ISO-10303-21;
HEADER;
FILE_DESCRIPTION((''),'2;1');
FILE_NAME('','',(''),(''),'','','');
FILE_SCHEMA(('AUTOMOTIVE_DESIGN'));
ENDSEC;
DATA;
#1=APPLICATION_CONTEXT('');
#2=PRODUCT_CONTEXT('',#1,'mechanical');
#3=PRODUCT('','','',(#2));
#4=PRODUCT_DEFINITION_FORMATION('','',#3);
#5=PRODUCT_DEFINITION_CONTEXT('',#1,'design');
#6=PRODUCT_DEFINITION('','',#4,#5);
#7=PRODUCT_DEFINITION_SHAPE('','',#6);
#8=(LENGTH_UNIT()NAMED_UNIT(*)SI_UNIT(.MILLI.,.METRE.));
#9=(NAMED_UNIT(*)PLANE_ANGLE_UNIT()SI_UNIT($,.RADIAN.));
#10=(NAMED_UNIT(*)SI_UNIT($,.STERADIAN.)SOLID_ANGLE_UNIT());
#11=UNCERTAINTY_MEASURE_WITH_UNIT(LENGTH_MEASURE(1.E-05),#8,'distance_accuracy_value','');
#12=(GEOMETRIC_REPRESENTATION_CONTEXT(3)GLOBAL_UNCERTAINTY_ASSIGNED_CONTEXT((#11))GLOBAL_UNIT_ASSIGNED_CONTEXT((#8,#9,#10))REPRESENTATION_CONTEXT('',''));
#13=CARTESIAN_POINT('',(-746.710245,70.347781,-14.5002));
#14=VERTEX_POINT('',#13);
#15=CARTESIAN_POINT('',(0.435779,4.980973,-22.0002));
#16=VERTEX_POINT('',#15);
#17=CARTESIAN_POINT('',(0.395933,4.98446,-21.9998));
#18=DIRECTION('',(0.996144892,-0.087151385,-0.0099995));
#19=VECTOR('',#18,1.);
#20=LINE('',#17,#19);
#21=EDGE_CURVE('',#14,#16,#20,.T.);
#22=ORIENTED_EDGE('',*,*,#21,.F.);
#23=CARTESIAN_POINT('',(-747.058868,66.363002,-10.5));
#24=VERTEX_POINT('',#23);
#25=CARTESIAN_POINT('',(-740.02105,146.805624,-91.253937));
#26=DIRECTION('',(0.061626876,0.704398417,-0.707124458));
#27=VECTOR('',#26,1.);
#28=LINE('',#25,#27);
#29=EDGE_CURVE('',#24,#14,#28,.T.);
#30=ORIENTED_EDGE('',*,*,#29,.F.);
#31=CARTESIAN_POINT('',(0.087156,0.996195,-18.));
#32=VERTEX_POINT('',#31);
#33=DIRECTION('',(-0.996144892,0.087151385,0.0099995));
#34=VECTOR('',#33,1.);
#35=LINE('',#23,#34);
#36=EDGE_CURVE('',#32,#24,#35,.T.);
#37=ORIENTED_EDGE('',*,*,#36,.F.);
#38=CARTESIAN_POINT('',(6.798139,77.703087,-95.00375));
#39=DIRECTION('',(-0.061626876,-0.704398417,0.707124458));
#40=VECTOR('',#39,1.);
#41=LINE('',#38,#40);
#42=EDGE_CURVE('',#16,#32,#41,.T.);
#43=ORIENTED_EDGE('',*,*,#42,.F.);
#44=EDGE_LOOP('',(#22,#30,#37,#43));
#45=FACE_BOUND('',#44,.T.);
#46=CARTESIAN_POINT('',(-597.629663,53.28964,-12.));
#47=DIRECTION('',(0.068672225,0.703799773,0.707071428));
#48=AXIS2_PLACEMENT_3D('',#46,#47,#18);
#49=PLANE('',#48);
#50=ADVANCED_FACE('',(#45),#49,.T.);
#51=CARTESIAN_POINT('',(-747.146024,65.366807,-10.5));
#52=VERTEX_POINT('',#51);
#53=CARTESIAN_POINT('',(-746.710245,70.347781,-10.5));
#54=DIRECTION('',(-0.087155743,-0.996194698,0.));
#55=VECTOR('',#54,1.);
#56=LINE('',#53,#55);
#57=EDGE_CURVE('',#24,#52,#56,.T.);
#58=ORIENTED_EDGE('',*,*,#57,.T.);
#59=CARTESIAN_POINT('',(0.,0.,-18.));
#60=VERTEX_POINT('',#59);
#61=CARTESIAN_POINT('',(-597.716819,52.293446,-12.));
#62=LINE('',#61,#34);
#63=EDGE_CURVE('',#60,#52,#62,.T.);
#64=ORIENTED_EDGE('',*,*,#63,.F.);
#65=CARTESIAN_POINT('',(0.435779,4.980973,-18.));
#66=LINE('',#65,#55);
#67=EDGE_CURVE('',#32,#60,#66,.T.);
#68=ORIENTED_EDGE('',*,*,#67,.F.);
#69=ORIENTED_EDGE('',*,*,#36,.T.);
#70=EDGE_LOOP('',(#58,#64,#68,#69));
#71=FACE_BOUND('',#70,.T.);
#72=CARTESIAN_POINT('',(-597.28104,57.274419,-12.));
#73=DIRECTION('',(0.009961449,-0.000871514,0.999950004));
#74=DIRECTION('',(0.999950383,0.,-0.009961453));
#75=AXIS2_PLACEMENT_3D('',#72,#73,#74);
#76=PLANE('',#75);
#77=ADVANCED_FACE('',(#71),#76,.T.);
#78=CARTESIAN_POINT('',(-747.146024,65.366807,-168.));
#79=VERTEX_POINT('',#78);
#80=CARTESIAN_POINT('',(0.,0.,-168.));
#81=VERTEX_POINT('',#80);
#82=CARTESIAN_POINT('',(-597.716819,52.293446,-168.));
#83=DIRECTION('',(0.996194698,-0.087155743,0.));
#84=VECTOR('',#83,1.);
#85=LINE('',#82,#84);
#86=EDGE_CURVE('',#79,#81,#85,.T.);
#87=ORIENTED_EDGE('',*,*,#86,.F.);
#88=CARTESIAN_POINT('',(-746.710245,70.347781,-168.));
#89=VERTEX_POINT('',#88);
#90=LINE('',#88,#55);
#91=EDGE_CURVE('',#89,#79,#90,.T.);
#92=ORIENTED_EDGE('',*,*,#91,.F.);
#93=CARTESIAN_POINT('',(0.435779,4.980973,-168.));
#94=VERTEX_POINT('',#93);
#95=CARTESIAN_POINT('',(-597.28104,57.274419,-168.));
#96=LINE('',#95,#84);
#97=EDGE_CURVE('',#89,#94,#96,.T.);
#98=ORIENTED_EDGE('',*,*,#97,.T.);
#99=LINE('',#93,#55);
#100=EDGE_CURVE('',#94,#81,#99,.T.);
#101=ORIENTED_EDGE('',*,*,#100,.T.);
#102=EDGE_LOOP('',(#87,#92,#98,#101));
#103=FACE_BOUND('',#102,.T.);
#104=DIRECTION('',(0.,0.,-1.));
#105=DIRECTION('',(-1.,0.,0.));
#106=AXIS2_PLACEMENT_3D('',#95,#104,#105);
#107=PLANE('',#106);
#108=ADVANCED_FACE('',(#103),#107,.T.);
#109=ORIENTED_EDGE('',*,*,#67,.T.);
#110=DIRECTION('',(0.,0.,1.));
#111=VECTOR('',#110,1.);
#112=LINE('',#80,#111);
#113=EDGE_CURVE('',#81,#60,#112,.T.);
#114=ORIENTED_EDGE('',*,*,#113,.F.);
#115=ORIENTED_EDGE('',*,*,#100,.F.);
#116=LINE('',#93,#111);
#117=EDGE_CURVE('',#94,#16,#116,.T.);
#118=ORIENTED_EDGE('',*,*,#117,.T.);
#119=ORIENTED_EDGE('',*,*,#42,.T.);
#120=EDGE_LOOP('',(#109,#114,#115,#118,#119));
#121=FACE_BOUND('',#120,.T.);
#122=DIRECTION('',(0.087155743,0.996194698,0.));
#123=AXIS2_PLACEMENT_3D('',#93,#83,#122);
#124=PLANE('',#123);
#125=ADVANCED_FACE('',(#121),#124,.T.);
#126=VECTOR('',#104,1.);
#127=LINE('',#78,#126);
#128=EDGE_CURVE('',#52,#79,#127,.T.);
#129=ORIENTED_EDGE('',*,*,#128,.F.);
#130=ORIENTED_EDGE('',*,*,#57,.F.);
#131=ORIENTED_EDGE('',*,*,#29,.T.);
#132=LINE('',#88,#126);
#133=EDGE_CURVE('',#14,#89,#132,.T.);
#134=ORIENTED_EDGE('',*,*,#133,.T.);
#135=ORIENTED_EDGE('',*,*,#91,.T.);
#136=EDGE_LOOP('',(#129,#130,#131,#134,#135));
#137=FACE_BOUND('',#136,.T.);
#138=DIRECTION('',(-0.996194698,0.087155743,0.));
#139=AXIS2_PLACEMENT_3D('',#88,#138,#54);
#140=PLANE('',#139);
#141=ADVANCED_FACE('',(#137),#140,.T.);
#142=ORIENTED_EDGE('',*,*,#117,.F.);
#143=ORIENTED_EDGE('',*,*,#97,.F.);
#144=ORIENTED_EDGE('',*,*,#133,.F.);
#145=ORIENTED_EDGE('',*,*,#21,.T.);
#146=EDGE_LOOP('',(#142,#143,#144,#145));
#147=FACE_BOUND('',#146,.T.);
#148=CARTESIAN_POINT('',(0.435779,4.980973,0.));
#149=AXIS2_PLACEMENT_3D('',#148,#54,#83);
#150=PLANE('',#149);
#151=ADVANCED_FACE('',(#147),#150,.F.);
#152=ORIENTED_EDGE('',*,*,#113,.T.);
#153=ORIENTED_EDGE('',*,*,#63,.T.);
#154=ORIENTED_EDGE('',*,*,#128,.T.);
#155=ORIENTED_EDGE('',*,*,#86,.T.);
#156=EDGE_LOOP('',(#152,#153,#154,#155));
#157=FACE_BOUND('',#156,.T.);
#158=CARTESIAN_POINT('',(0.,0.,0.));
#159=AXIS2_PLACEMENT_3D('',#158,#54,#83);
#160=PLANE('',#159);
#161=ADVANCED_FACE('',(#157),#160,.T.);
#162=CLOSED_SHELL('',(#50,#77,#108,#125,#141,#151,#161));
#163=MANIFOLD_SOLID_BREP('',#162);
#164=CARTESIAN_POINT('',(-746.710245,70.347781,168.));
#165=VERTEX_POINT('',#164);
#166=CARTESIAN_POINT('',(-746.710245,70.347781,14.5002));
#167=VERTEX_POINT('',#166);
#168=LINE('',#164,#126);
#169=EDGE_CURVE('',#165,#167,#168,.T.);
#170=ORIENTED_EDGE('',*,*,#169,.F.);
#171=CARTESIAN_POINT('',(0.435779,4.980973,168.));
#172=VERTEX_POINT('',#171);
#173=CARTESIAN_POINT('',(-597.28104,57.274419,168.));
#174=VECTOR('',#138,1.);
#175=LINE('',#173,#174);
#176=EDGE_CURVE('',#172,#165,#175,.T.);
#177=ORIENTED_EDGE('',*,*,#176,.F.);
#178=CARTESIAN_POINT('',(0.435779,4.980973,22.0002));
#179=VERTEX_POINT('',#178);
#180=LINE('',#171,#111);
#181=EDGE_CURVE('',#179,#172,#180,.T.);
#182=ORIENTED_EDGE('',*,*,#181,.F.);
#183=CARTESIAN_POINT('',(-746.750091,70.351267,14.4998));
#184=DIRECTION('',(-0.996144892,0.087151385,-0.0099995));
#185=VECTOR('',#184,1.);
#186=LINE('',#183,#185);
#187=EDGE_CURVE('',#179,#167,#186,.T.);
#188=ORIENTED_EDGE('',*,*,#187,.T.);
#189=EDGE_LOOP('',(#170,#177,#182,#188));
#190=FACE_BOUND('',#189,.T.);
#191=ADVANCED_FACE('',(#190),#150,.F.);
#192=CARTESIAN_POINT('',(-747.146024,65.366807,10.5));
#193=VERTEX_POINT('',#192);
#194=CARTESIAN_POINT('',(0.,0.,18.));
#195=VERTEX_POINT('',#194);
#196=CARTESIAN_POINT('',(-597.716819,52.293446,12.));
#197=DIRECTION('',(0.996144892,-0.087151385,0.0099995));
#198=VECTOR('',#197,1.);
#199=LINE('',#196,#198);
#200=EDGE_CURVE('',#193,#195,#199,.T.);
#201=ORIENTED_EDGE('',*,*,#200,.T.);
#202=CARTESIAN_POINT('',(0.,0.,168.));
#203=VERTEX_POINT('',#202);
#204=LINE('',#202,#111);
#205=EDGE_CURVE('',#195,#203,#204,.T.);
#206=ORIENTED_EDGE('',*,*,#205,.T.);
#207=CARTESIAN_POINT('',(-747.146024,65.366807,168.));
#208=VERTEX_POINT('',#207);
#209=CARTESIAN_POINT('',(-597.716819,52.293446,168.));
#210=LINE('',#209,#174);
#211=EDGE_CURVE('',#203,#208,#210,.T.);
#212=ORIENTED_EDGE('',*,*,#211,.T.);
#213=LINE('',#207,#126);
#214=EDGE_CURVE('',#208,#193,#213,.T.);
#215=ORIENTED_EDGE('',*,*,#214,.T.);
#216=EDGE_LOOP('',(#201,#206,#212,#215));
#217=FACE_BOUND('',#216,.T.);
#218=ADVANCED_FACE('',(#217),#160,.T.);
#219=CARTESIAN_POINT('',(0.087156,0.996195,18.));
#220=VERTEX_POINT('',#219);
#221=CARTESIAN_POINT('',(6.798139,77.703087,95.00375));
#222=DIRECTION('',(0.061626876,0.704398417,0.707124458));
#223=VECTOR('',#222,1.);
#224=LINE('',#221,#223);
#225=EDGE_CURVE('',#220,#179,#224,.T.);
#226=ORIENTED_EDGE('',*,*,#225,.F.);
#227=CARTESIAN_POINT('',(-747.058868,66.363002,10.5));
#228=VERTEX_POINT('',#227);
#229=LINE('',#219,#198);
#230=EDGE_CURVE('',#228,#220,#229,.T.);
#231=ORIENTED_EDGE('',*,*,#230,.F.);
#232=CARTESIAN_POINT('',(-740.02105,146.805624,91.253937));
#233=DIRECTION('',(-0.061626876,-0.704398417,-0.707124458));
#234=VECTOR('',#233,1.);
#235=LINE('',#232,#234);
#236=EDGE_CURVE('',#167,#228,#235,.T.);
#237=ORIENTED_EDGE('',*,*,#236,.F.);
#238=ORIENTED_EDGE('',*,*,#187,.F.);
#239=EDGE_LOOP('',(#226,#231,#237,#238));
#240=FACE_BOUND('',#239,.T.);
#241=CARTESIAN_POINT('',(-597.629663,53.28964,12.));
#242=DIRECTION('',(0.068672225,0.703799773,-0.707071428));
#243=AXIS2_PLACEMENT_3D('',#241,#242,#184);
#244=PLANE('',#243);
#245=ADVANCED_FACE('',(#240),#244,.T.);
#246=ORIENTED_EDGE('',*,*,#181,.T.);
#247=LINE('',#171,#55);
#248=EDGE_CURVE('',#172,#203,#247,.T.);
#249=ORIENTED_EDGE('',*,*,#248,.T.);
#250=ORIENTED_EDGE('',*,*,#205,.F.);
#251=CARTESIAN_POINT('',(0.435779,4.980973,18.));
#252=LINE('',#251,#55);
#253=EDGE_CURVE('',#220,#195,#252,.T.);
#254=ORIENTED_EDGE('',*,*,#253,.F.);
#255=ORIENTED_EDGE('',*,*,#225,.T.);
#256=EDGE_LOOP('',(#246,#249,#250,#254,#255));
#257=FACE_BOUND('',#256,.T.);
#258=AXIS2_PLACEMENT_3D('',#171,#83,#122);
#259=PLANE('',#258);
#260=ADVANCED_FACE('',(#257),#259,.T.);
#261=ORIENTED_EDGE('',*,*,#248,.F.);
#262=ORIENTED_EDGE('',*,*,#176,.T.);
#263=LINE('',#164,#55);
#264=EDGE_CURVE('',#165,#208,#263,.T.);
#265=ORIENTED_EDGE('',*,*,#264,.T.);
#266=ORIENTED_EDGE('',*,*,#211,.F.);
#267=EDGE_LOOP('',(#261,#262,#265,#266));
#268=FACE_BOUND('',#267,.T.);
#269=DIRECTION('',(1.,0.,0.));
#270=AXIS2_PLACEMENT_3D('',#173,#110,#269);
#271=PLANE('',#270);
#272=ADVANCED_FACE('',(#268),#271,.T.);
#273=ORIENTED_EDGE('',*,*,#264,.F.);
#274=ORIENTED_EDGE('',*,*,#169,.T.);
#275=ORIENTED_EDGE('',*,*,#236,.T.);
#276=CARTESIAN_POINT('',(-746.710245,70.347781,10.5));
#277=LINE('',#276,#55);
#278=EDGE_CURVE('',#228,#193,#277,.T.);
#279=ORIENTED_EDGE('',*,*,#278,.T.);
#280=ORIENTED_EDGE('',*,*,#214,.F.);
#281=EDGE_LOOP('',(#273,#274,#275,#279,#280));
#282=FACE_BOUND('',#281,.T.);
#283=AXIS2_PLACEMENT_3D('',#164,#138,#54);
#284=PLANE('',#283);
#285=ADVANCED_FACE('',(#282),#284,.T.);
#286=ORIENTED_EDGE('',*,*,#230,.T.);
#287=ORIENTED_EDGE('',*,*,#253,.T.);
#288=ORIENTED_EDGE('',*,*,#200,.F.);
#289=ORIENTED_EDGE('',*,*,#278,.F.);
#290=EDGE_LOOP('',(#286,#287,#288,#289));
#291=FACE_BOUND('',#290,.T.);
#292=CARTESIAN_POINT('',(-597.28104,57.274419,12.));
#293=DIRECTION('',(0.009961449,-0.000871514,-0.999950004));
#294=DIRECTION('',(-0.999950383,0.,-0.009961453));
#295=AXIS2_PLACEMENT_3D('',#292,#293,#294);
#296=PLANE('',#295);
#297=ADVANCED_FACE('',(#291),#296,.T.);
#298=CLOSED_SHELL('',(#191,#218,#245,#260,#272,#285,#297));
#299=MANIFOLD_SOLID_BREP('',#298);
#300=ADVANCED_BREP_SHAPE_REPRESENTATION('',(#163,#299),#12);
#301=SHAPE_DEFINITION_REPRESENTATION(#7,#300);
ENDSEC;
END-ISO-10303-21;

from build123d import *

# Parameters (mm, degrees)
BOSS_EXTRUDE1_DEPTH   = 5
BOSS_EXTRUDE1_2_DEPTH = 5
CHAMFER1_SIZE         = 4
CHAMFER2_SIZE         = 4


with BuildPart() as part:
    # Sketch2 → Boss-Extrude1 (new body)
    with BuildSketch(Plane(origin=(0, 0, 0), x_dir=(0, 0, 1), z_dir=(-0.08715574274765155, -0.9961946980917461, 0))):
        Polygon((-12, 600), (-18, 0), (-168, 0), (-168, 600), (-168, 750), (-10.5, 750), align=None)
    extrude(amount=-BOSS_EXTRUDE1_DEPTH)

    # Chamfer1
    chamfer1_edges = [part.edges().sort_by_distance(p)[0] for p in [
        (-373.137233071, 37.664377021, -14.25),
    ]]
    chamfer(chamfer1_edges, length=CHAMFER1_SIZE)


with BuildPart() as body_2:
    # Sketch2 → Boss-Extrude1 2 (new body)
    with BuildSketch(Plane(origin=(0, 0, 0), x_dir=(0, 0, 1), z_dir=(-0.08715574274765155, -0.9961946980917461, 0))):
        Polygon((12, 600), (18, 0), (168, 0), (168, 600), (168, 750), (10.5, 750), align=None)
    extrude(amount=-BOSS_EXTRUDE1_2_DEPTH)

    # Chamfer2
    chamfer2_edges = [body_2.edges().sort_by_distance(p)[0] for p in [
        (-373.137233071, 37.664377021, 14.25),
    ]]
    chamfer(chamfer2_edges, length=CHAMFER2_SIZE)


solid = Compound([part.part, body_2.part])
